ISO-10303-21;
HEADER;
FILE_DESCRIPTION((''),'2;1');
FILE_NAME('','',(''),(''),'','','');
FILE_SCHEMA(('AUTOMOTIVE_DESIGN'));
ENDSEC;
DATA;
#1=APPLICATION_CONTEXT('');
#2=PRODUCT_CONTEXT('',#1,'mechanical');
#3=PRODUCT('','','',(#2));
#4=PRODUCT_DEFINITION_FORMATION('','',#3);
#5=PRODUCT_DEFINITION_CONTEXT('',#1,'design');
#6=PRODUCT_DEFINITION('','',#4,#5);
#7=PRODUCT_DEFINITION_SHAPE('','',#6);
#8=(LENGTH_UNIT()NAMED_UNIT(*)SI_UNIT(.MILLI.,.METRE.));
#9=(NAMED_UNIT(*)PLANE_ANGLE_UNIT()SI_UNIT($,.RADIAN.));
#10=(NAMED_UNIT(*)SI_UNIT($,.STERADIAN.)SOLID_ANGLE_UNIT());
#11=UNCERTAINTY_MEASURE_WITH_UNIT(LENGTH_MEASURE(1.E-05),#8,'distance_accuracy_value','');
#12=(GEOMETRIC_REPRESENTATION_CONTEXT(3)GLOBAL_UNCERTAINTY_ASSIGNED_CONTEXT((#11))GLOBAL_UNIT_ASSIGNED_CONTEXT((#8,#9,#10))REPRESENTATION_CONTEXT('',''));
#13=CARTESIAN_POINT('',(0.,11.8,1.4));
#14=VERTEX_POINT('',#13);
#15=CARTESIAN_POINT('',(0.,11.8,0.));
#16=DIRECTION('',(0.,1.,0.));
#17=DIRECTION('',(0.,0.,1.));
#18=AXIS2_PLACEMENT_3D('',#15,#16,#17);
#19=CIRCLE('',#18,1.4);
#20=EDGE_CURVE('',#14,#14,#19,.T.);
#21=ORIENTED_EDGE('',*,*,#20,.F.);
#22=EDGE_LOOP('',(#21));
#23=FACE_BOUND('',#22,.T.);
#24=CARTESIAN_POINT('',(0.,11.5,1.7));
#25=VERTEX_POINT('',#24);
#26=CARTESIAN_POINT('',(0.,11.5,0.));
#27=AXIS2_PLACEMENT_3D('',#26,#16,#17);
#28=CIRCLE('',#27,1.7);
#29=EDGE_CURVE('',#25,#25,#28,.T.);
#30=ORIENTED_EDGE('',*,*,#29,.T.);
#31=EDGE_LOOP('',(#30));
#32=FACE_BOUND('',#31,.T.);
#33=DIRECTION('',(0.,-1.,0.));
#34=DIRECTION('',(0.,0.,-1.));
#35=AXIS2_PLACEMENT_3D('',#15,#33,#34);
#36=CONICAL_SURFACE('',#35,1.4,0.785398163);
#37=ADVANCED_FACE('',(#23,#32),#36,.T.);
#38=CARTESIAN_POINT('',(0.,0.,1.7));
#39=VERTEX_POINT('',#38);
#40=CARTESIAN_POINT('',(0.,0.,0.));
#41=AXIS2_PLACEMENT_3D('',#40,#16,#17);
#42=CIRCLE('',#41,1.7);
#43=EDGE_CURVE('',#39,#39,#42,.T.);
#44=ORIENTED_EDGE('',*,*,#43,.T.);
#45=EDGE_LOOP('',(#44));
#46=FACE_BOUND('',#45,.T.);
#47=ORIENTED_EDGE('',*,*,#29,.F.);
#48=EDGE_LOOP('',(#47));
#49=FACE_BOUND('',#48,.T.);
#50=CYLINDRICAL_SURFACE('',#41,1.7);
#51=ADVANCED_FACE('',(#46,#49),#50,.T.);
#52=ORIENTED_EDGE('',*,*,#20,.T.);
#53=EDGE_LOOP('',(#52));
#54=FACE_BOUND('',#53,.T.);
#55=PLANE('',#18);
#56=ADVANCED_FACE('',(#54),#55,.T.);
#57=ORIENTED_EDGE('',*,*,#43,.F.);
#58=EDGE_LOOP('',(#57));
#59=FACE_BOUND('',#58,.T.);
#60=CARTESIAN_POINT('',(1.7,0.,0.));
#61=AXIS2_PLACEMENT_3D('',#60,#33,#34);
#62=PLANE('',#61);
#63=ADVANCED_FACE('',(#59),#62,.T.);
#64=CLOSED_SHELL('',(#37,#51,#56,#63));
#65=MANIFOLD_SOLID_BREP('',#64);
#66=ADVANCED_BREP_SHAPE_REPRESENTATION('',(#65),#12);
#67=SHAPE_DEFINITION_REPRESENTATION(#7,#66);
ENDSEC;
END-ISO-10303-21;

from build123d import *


with BuildPart() as part:
    # Sketch1 → Revolve1 (revolve)
    with BuildSketch(Plane(origin=(0, 0, 0), x_dir=(-1, 0, 0), z_dir=(0, 0, -1)), mode=Mode.PRIVATE) as revolve1_sk:
        Polygon((-1.7, 0), (0, 0), (0, 11.8), (-1.4, 11.8), (-1.7, 11.5), align=None)
    revolve(revolve1_sk.sketch.rotate(Axis((0, 0, 0), (0, 1, 0)), 270), axis=Axis((0, 0, 0), (0, 1, 0)))


solid = part.part
